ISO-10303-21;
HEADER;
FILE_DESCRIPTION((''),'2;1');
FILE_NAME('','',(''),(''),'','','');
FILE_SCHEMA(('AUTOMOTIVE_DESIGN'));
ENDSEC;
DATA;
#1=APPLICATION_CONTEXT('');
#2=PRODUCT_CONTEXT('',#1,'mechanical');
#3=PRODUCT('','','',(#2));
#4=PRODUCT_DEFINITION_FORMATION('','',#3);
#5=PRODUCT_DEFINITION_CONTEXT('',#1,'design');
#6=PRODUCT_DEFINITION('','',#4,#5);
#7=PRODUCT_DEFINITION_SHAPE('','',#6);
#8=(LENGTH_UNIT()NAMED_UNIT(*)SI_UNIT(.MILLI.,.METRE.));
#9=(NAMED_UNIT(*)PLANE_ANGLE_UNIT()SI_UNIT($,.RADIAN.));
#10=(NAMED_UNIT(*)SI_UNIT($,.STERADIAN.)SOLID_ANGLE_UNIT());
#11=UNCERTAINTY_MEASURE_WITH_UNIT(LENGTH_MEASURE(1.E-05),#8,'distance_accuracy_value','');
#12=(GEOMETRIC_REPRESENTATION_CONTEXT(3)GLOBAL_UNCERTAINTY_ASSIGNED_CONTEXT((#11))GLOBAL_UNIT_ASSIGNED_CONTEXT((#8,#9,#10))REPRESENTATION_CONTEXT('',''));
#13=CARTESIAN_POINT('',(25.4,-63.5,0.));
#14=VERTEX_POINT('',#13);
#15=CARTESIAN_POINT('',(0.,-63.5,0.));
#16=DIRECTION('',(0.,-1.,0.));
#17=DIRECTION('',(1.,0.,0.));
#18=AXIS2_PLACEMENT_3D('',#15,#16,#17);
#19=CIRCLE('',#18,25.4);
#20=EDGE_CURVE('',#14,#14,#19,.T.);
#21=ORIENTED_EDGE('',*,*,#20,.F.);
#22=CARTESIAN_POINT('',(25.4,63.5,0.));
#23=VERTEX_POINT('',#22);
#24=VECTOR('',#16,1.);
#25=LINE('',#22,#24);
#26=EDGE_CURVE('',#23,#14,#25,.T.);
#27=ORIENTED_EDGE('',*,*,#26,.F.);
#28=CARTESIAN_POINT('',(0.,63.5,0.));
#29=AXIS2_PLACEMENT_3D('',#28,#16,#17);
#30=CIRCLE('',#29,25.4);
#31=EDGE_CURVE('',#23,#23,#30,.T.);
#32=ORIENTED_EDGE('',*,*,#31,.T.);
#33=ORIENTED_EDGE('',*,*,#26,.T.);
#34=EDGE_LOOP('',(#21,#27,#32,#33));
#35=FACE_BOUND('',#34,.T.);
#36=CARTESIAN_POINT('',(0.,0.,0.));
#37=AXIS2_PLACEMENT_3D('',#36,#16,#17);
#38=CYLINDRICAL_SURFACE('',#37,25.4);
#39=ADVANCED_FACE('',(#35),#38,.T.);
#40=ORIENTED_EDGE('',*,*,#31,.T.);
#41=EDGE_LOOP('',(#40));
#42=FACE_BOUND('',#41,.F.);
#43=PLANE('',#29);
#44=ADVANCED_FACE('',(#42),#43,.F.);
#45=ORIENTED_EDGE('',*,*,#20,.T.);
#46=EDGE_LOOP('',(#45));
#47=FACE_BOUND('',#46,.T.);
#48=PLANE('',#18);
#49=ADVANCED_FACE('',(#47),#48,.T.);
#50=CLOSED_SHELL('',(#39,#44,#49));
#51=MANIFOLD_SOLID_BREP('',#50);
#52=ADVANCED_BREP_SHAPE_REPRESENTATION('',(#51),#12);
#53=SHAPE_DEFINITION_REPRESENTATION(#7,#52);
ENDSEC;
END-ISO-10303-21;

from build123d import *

# Parameters (mm, degrees)
F0_R     = 25.4
F1_DEPTH = 63.5


with BuildPart() as f1:
    # F0 (on Front) → F1 (new body, symmetric)
    with BuildSketch(Plane.XZ):
        Circle(F0_R)
    extrude(amount=F1_DEPTH, both=True)


solid = f1.part
